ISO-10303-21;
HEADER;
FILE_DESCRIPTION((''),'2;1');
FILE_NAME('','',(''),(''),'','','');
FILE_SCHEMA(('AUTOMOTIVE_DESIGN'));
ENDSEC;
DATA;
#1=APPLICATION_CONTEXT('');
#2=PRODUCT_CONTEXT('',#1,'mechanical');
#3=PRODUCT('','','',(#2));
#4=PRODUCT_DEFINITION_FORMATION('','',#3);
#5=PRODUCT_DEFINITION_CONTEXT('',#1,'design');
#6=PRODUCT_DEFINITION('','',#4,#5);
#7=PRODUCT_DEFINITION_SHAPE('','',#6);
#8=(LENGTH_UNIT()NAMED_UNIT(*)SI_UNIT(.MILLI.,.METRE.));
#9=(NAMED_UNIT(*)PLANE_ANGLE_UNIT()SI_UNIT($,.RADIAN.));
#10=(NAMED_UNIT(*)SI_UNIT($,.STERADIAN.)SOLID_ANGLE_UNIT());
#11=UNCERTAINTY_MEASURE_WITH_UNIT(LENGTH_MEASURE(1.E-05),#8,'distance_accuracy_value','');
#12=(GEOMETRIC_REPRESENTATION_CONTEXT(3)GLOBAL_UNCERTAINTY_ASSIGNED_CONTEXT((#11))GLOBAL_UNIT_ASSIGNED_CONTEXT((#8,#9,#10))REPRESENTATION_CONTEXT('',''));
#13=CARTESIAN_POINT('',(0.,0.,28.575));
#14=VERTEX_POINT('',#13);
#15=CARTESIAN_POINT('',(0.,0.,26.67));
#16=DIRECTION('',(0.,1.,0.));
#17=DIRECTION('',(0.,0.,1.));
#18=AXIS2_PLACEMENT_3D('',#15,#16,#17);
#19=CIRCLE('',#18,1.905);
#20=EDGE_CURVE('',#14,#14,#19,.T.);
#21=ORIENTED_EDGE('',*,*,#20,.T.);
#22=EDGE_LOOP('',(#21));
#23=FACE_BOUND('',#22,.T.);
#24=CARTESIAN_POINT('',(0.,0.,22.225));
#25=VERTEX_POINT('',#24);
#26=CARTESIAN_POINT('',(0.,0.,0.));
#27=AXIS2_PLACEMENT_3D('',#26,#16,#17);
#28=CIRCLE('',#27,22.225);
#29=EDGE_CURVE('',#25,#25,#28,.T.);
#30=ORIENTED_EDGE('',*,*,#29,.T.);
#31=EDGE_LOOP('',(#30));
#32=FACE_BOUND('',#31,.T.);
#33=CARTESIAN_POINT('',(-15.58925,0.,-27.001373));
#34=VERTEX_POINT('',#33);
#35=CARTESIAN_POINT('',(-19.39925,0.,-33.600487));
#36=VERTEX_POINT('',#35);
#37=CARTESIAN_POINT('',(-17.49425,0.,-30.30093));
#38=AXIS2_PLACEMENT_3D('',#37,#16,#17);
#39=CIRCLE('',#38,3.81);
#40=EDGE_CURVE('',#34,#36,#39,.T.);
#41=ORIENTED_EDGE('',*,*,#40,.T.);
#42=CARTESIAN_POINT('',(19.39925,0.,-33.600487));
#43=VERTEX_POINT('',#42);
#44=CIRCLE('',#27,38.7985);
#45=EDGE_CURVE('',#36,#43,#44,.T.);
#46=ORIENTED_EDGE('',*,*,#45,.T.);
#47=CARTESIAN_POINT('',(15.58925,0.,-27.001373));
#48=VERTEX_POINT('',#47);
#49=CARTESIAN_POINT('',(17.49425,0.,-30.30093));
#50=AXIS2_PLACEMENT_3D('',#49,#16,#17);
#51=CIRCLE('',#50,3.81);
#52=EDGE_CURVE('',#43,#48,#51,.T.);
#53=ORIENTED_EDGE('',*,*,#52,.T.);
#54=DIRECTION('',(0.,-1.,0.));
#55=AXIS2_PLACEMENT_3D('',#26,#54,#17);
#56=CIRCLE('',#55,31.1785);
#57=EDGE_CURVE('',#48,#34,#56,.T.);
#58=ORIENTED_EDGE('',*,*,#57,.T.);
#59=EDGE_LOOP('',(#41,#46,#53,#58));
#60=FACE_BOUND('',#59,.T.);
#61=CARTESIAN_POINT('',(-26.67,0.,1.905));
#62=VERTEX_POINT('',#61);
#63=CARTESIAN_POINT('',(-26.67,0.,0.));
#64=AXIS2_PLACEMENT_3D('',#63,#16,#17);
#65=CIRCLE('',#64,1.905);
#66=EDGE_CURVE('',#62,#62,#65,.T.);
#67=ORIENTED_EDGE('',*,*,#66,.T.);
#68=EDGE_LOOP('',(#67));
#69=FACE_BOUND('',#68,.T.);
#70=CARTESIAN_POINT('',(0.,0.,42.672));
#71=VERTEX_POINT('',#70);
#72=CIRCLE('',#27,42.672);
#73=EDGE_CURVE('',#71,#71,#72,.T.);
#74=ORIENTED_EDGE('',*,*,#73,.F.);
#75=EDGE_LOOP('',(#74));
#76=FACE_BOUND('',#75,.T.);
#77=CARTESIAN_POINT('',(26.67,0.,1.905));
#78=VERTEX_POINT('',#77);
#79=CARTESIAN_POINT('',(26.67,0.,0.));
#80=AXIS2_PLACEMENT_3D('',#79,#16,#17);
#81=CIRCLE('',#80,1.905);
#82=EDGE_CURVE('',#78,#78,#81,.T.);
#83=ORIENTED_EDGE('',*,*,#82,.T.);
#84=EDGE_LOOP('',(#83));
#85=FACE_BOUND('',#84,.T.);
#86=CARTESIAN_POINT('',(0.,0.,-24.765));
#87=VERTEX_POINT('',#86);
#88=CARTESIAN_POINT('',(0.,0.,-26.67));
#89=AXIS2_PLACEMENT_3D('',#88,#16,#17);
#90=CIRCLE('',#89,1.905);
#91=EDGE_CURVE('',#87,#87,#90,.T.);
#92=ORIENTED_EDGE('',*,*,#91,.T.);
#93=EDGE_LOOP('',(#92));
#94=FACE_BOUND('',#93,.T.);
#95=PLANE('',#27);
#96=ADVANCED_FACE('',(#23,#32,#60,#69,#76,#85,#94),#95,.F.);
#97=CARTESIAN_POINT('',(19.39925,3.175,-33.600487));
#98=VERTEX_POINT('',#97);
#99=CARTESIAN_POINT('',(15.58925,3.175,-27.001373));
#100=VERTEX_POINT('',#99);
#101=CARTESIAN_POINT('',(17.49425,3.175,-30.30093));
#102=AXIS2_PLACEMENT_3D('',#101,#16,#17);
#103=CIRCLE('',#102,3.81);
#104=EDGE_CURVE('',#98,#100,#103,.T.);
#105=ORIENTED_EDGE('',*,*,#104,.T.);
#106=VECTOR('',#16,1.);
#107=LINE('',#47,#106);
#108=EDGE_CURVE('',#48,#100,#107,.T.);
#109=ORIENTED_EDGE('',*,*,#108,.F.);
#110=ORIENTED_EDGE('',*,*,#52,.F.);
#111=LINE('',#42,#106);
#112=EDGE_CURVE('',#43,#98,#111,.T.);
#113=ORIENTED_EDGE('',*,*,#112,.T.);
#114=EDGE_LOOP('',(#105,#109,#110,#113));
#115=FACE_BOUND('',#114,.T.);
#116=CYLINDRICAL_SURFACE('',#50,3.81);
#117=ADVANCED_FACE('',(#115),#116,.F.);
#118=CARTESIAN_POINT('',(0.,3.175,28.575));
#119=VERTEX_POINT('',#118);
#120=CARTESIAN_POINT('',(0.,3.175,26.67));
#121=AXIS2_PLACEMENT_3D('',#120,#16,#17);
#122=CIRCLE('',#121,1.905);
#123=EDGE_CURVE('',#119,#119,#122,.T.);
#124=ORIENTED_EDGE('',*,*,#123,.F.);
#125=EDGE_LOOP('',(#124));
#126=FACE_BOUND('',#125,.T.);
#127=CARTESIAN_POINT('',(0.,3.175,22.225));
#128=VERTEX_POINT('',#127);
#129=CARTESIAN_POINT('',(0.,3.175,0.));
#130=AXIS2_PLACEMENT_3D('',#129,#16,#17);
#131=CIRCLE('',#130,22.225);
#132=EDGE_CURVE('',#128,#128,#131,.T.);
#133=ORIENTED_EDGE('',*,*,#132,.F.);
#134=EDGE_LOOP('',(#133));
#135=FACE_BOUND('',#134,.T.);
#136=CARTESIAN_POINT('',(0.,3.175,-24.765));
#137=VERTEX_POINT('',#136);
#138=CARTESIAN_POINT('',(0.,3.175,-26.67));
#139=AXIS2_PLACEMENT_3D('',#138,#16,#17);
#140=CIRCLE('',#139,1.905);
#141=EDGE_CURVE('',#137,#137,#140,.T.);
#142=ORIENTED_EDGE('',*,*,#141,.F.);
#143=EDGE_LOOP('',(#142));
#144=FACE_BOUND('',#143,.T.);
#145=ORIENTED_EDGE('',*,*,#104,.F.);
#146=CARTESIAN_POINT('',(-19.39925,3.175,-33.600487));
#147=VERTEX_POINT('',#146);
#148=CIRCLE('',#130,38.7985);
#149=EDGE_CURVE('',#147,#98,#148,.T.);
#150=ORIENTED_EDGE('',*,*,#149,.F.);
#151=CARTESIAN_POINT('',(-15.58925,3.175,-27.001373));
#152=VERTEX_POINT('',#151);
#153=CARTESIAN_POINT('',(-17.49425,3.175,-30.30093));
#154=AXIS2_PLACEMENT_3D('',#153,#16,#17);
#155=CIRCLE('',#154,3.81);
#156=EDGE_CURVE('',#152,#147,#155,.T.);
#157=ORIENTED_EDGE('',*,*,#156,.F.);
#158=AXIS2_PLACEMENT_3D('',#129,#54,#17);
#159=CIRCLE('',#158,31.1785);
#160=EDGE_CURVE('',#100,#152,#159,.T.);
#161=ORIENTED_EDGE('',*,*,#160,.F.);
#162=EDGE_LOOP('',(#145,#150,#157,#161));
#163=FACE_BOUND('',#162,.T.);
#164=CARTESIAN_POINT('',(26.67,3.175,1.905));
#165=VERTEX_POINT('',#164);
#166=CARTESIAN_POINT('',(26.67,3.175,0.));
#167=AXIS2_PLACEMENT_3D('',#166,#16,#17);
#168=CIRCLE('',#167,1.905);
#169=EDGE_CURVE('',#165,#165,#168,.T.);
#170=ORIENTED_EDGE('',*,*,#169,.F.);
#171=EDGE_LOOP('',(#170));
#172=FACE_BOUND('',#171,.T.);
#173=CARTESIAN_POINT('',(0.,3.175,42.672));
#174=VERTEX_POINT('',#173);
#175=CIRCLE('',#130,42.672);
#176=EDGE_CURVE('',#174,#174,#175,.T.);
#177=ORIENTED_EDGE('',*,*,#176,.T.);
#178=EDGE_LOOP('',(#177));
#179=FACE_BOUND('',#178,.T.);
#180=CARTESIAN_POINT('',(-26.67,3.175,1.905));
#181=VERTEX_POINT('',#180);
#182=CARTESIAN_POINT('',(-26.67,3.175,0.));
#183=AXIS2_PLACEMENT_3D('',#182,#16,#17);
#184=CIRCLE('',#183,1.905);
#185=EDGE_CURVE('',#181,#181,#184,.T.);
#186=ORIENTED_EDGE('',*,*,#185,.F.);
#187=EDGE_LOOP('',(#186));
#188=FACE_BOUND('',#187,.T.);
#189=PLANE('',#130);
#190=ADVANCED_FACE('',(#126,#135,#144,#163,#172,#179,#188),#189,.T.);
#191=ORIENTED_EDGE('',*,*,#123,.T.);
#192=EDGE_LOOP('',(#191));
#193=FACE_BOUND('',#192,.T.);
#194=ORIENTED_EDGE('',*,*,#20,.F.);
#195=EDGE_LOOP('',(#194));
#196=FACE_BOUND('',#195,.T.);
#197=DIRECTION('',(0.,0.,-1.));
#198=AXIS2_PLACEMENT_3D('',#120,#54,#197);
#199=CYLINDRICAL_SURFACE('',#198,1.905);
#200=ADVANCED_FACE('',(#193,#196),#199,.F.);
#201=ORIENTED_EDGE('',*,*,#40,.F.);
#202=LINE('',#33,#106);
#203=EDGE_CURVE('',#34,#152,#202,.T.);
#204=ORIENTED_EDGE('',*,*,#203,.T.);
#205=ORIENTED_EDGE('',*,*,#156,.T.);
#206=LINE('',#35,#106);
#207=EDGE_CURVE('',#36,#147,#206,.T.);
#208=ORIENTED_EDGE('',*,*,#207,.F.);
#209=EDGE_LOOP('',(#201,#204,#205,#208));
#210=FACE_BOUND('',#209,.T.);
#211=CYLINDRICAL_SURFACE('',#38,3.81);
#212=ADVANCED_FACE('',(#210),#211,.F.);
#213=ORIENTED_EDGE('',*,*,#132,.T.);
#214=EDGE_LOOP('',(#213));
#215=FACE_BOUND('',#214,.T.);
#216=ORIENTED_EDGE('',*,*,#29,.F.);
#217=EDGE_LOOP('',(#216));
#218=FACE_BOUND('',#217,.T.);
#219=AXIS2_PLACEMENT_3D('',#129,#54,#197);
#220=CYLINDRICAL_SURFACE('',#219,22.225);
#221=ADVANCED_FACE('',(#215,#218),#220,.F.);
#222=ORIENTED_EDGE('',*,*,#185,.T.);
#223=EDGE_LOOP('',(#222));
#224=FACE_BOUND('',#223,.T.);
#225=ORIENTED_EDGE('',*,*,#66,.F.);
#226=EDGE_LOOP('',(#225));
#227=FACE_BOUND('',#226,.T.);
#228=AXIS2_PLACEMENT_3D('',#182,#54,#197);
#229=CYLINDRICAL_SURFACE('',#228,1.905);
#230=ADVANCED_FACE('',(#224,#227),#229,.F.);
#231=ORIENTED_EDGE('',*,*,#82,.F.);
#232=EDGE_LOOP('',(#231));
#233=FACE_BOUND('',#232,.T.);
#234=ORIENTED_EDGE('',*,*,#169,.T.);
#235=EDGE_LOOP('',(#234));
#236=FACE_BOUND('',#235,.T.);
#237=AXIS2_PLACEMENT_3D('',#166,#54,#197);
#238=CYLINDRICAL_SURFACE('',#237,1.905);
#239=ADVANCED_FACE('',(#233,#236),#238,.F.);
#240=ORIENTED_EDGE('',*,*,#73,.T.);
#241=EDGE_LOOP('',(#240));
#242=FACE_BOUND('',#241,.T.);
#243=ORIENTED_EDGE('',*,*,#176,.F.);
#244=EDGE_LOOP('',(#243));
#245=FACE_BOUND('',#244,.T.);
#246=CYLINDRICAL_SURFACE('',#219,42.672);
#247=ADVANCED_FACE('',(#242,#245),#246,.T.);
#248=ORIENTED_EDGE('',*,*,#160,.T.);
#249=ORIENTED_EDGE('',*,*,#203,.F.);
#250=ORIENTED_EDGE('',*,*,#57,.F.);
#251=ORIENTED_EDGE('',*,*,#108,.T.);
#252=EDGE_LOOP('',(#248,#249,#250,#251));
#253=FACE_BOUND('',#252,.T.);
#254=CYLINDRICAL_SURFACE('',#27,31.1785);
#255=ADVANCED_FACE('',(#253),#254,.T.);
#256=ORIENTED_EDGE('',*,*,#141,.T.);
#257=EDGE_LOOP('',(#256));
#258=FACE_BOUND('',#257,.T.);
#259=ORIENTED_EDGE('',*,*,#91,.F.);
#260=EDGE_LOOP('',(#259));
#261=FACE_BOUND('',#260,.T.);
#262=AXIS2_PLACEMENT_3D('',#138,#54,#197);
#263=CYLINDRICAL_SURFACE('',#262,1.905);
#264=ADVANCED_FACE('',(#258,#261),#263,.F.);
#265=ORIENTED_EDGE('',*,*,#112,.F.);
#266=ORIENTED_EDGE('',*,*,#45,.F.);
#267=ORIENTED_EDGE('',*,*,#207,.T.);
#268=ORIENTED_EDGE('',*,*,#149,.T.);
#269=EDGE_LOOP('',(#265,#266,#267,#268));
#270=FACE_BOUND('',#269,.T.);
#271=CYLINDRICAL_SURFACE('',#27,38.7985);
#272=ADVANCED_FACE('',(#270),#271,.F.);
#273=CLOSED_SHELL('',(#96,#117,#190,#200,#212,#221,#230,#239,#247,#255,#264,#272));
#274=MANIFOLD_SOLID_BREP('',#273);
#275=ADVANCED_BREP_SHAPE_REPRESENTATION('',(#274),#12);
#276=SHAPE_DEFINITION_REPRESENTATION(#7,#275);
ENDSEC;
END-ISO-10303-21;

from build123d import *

# Parameters (mm, degrees)
SKETCH1_R           = 42.672
SKETCH1_R_2         = 22.225
SKETCH1_R_3         = 1.905
BOSS_EXTRUDE1_DEPTH = 3.175
CUT_EXTRUDE1_DEPTH  = 61.430785143


with BuildPart() as part:
    # Sketch1 → Boss-Extrude1 (new body)
    with BuildSketch(Plane(origin=(0, 0, 0), x_dir=(1, 0, 0), z_dir=(0, 1, 0))):
        with Locations(Location((0, 0, 0), (0, 0, 270))):
            Circle(SKETCH1_R)
        with Locations(Location((0, 0, 0), (0, 0, 270))):
            Circle(SKETCH1_R_2, mode=Mode.SUBTRACT)
        with Locations(Location((0, 26.67, 0), (0, 0, 270))):
            Circle(SKETCH1_R_3, mode=Mode.SUBTRACT)
        with Locations(Location((26.67, 0, 0), (0, 0, 270))):
            Circle(SKETCH1_R_3, mode=Mode.SUBTRACT)
        with Locations(Location((0, -26.67, 0), (0, 0, 270))):
            Circle(SKETCH1_R_3, mode=Mode.SUBTRACT)
        with Locations(Location((-26.67, 0, 0), (0, 0, 270))):
            Circle(SKETCH1_R_3, mode=Mode.SUBTRACT)
    extrude(amount=BOSS_EXTRUDE1_DEPTH)

    # Sketch2 → Cut-Extrude1 (cut, through all)
    with BuildSketch(Plane(origin=(0, 3.175, 0), x_dir=(1, 0, 0), z_dir=(0, 1, 0))):
        with BuildLine():
            ThreePointArc((-15.58925, 27.001373052), (-14.194693212, 32.20592984), (-19.39925, 33.600486629))
            ThreePointArc((-19.39925, 33.600486629), (0, -38.7985), (19.39925, 33.600486629))
            ThreePointArc((19.39925, 33.600486629), (14.194693212, 32.20592984), (15.58925, 27.001373052))
            ThreePointArc((15.58925, 27.001373052), (0, -31.1785), (-15.58925, 27.001373052))
        make_face()
    extrude(amount=-CUT_EXTRUDE1_DEPTH, mode=Mode.SUBTRACT)


solid = part.part
